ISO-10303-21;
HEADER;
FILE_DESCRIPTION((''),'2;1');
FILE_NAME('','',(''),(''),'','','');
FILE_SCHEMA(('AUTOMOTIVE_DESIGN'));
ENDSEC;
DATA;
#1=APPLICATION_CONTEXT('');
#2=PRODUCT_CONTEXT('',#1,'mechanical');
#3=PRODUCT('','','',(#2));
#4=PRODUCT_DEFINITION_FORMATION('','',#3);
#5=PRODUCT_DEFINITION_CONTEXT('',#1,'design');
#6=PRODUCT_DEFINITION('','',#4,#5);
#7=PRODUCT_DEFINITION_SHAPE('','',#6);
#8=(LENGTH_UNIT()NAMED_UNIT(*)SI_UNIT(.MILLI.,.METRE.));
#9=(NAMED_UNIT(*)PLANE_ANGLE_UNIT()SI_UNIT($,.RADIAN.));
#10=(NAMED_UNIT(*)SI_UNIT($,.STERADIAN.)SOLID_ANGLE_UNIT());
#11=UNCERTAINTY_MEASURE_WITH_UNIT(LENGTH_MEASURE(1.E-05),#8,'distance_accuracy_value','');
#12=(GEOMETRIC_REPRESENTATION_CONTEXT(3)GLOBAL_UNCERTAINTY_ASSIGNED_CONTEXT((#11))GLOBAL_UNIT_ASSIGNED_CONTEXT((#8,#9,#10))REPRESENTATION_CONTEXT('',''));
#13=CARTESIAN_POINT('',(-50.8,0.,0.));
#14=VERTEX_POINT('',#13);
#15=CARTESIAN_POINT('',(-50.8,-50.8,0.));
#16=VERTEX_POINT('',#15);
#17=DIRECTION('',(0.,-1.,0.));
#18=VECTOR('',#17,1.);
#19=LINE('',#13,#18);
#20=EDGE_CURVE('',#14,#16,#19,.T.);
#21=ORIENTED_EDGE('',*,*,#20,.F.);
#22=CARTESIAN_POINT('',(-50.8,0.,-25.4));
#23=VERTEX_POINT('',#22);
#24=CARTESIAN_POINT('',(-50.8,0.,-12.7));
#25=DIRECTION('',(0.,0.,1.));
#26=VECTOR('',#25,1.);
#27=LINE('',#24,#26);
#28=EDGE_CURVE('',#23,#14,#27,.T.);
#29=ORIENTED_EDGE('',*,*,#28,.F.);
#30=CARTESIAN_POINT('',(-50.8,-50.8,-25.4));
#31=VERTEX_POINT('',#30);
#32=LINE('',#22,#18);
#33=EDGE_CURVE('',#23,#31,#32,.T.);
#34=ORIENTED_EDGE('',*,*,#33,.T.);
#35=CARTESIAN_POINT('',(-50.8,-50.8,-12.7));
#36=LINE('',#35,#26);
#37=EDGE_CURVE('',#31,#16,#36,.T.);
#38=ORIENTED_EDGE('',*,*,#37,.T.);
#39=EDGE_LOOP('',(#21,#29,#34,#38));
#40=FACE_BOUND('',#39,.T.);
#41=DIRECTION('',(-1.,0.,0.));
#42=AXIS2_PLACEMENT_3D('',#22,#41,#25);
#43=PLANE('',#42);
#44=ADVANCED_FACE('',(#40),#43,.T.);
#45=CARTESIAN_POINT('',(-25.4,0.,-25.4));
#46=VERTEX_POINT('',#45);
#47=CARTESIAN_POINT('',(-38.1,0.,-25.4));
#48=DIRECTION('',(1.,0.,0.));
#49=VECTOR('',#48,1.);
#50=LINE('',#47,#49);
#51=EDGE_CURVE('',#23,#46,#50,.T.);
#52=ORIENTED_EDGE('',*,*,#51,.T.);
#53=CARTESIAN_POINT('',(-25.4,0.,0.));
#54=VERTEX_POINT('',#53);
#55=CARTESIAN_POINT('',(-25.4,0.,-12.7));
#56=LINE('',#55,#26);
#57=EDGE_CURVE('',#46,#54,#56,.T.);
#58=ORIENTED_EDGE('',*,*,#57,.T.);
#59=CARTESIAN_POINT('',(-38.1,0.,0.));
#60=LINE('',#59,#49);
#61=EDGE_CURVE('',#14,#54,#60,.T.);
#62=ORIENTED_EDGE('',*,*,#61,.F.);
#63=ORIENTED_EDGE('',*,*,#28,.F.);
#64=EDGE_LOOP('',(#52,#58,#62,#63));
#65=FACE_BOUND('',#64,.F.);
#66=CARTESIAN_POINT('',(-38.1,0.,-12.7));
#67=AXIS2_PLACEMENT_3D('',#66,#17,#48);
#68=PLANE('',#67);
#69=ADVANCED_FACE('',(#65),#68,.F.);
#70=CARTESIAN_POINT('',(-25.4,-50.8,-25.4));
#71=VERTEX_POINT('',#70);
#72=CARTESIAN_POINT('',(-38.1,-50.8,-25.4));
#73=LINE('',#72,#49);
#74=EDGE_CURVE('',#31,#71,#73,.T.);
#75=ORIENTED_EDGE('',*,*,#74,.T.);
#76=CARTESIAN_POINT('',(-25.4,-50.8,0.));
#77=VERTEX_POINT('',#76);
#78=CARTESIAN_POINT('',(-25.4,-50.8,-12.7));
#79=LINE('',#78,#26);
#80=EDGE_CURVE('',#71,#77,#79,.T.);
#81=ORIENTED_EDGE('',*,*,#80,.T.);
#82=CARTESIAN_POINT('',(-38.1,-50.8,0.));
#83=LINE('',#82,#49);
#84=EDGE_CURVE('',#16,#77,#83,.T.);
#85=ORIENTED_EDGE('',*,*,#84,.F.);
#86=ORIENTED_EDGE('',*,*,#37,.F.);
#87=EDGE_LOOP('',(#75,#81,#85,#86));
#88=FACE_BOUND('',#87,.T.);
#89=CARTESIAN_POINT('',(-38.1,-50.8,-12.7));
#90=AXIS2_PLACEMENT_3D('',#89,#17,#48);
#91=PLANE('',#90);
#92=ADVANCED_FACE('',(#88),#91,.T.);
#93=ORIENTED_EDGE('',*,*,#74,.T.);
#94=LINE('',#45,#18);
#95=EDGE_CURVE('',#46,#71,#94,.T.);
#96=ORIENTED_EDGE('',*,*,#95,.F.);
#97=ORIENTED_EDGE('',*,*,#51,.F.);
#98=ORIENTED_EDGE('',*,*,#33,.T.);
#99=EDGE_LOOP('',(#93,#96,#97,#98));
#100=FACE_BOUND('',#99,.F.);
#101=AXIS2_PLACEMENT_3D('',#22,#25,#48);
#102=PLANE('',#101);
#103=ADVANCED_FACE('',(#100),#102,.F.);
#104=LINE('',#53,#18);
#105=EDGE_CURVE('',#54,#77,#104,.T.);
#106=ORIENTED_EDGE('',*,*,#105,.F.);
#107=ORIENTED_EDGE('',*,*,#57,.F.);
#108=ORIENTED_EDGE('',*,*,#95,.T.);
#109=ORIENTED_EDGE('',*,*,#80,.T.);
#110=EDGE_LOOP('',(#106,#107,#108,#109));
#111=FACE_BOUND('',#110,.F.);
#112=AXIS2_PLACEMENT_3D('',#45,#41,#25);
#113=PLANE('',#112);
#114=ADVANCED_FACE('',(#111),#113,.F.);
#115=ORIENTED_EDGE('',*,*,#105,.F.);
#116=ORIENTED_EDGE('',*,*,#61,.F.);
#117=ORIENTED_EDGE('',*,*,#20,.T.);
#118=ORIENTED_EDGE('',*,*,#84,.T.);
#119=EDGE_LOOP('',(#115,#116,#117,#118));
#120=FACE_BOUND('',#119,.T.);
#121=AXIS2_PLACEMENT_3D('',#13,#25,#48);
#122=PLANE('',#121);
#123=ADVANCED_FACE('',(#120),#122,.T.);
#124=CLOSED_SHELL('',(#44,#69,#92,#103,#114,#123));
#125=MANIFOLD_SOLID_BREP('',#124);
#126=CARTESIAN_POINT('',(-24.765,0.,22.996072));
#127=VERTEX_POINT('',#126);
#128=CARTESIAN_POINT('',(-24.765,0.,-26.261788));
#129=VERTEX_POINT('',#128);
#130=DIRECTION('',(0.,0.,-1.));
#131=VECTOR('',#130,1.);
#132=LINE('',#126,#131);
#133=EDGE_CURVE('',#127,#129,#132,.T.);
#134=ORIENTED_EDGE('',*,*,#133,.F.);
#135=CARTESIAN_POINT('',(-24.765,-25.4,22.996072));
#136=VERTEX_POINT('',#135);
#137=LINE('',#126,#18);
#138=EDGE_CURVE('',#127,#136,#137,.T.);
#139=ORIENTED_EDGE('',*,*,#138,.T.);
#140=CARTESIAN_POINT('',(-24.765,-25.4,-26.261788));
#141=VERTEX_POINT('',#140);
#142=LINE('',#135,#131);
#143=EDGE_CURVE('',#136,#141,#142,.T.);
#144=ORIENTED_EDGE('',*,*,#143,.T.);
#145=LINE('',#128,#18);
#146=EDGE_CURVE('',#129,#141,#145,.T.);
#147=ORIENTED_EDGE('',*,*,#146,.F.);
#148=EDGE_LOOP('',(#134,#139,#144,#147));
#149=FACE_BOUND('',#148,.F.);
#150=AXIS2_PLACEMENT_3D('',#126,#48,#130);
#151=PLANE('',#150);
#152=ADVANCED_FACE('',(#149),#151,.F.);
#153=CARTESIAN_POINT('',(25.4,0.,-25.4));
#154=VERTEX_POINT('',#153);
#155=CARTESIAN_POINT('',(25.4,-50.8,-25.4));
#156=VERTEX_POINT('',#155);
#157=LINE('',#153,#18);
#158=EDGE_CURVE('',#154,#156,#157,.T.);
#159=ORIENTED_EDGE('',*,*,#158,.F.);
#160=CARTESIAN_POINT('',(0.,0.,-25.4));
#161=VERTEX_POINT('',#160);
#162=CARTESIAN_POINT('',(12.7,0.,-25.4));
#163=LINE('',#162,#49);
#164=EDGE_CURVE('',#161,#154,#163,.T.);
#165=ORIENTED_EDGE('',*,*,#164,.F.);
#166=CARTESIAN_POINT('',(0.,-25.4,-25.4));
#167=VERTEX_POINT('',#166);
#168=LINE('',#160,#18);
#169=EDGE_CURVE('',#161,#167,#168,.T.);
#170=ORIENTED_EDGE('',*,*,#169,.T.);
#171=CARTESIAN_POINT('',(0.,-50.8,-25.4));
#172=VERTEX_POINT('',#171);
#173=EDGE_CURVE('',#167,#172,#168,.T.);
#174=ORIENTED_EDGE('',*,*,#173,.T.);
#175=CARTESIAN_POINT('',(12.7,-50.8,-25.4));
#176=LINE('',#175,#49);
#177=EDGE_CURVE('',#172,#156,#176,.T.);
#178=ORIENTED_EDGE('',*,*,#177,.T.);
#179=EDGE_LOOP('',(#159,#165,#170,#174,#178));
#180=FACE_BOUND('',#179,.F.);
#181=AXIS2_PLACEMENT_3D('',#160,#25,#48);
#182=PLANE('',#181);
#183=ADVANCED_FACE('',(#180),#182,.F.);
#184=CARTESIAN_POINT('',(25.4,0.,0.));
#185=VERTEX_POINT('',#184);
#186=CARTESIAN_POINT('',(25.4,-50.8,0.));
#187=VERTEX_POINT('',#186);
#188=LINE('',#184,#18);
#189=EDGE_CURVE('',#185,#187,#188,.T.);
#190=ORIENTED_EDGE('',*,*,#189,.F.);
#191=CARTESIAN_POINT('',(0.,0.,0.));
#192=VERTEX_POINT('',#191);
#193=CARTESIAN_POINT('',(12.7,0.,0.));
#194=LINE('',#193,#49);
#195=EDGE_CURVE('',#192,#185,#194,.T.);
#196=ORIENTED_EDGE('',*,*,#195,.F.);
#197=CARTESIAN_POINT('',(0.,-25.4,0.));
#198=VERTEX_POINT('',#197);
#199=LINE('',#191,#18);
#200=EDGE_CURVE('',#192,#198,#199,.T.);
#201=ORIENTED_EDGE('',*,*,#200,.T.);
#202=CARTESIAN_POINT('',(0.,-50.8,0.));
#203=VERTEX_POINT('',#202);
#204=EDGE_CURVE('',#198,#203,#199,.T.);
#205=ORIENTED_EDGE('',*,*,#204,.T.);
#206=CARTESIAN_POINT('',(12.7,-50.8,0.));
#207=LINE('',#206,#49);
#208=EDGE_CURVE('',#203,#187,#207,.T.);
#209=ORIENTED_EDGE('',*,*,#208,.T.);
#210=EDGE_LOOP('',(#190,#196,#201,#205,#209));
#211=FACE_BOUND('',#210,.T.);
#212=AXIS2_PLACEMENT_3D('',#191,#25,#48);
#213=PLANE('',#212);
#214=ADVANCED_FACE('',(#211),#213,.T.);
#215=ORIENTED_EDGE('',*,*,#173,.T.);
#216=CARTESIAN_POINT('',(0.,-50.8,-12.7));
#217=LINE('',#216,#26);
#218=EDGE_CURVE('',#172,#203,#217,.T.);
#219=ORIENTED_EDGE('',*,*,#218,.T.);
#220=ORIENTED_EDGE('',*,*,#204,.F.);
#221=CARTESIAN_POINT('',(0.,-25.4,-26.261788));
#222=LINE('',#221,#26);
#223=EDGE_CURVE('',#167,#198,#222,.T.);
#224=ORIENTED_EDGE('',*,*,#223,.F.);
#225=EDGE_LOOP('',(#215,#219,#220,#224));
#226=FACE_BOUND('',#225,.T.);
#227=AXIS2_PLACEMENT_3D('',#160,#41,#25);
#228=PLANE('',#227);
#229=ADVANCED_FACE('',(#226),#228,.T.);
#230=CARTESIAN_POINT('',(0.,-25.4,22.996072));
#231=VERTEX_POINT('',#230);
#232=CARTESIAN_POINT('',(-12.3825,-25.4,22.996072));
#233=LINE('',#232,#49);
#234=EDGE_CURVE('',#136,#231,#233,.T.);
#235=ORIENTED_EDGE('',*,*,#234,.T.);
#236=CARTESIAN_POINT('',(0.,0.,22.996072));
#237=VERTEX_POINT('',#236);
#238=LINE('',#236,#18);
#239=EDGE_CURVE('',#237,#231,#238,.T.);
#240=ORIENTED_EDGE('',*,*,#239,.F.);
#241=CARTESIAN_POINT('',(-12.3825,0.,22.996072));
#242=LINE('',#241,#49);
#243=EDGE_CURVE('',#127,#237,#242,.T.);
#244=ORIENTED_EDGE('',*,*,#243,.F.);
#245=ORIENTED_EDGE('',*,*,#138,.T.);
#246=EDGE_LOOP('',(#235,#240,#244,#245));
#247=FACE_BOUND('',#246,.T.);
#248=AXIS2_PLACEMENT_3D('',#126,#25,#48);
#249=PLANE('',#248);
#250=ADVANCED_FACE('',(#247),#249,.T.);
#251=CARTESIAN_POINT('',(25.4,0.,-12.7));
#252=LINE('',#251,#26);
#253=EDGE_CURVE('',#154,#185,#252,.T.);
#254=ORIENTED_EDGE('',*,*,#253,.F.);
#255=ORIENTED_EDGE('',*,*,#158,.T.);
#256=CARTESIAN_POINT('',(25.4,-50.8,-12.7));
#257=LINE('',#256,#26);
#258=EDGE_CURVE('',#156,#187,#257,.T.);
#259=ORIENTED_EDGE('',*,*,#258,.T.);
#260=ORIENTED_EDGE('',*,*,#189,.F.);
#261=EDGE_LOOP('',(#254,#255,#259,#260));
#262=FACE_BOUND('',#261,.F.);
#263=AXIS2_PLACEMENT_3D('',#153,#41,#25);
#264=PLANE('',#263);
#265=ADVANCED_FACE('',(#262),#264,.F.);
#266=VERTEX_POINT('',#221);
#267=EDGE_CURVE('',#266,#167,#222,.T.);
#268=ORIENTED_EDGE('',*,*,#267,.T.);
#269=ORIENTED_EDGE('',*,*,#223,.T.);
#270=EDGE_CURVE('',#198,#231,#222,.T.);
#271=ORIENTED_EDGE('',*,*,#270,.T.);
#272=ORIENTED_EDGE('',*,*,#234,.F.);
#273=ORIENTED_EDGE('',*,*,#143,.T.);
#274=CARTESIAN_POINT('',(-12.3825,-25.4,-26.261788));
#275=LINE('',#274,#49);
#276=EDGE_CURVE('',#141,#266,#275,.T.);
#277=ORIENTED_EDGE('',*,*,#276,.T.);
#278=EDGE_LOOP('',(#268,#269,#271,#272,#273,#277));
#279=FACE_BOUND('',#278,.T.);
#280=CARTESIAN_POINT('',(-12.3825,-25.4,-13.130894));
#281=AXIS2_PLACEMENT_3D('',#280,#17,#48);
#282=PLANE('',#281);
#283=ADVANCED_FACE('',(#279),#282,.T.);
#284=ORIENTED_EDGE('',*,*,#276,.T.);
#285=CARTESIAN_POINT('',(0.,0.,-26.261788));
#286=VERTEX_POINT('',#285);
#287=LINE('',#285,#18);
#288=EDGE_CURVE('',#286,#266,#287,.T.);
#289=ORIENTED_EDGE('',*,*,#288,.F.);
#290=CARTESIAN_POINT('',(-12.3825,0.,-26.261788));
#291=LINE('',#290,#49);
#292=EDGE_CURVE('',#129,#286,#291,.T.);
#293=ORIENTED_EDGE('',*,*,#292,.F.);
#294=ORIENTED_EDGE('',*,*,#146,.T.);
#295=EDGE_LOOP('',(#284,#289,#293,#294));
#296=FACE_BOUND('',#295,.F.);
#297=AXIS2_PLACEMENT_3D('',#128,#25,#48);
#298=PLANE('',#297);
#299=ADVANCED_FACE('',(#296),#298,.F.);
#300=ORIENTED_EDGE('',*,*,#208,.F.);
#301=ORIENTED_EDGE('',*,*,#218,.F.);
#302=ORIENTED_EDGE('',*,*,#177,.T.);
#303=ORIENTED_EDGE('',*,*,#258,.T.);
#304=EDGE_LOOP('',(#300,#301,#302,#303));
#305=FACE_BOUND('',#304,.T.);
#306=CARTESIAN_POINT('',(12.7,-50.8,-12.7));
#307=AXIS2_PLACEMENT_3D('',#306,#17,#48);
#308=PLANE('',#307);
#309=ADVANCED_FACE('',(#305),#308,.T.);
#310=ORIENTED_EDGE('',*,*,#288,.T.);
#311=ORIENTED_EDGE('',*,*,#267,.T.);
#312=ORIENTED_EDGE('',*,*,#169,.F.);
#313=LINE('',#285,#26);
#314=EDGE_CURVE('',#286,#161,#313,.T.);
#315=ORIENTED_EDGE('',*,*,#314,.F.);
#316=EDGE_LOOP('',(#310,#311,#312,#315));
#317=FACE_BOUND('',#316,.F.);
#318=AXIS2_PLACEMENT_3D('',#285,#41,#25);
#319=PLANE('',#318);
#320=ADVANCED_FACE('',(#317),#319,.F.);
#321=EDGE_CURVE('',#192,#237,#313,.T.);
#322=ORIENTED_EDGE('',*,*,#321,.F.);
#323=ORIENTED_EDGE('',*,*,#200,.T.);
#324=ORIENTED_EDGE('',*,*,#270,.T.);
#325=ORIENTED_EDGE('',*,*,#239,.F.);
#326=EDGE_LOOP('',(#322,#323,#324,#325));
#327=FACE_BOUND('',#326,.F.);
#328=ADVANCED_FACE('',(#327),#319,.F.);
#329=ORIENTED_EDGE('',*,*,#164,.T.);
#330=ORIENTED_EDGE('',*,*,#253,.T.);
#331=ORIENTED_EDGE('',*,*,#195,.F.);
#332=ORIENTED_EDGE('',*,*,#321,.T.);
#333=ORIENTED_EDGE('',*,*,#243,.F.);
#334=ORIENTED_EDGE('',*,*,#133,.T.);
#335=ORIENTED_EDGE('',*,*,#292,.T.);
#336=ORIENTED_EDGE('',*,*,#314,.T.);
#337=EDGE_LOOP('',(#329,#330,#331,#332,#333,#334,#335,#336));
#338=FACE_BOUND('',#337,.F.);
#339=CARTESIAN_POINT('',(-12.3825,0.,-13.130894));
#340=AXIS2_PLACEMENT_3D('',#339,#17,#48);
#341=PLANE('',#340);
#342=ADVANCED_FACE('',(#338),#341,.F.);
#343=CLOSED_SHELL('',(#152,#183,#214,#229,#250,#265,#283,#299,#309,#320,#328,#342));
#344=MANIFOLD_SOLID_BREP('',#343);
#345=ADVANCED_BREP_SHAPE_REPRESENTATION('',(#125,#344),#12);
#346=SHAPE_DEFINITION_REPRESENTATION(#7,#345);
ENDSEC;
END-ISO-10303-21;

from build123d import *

# Parameters (mm, degrees)
F0_W     = 25.4
F0_H     = 25.4
F1_DEPTH = 50.8
F2_W     = 24.765
F2_H     = 26.261788
F2_H_2   = 22.996072
F3_DEPTH = 25.4


with BuildPart() as f1:
    # F0 (on Front) → F1 (new body)
    with BuildSketch(Plane.XZ):
        with Locations((-38.1, -12.7)):
            Rectangle(F0_W, F0_H)
        with Locations((12.7, -12.7)):
            Rectangle(F0_W, F0_H)
    extrude(amount=F1_DEPTH)

    # F2 (on Front) → F3 (join)
    with BuildSketch(Plane.XZ):
        with Locations((-12.3825, -13.130894)):
            Rectangle(F2_W, F2_H)
        with Locations((-12.3825, 11.498036)):
            Rectangle(F2_W, F2_H_2)
    extrude(amount=F3_DEPTH)


solid = f1.part
